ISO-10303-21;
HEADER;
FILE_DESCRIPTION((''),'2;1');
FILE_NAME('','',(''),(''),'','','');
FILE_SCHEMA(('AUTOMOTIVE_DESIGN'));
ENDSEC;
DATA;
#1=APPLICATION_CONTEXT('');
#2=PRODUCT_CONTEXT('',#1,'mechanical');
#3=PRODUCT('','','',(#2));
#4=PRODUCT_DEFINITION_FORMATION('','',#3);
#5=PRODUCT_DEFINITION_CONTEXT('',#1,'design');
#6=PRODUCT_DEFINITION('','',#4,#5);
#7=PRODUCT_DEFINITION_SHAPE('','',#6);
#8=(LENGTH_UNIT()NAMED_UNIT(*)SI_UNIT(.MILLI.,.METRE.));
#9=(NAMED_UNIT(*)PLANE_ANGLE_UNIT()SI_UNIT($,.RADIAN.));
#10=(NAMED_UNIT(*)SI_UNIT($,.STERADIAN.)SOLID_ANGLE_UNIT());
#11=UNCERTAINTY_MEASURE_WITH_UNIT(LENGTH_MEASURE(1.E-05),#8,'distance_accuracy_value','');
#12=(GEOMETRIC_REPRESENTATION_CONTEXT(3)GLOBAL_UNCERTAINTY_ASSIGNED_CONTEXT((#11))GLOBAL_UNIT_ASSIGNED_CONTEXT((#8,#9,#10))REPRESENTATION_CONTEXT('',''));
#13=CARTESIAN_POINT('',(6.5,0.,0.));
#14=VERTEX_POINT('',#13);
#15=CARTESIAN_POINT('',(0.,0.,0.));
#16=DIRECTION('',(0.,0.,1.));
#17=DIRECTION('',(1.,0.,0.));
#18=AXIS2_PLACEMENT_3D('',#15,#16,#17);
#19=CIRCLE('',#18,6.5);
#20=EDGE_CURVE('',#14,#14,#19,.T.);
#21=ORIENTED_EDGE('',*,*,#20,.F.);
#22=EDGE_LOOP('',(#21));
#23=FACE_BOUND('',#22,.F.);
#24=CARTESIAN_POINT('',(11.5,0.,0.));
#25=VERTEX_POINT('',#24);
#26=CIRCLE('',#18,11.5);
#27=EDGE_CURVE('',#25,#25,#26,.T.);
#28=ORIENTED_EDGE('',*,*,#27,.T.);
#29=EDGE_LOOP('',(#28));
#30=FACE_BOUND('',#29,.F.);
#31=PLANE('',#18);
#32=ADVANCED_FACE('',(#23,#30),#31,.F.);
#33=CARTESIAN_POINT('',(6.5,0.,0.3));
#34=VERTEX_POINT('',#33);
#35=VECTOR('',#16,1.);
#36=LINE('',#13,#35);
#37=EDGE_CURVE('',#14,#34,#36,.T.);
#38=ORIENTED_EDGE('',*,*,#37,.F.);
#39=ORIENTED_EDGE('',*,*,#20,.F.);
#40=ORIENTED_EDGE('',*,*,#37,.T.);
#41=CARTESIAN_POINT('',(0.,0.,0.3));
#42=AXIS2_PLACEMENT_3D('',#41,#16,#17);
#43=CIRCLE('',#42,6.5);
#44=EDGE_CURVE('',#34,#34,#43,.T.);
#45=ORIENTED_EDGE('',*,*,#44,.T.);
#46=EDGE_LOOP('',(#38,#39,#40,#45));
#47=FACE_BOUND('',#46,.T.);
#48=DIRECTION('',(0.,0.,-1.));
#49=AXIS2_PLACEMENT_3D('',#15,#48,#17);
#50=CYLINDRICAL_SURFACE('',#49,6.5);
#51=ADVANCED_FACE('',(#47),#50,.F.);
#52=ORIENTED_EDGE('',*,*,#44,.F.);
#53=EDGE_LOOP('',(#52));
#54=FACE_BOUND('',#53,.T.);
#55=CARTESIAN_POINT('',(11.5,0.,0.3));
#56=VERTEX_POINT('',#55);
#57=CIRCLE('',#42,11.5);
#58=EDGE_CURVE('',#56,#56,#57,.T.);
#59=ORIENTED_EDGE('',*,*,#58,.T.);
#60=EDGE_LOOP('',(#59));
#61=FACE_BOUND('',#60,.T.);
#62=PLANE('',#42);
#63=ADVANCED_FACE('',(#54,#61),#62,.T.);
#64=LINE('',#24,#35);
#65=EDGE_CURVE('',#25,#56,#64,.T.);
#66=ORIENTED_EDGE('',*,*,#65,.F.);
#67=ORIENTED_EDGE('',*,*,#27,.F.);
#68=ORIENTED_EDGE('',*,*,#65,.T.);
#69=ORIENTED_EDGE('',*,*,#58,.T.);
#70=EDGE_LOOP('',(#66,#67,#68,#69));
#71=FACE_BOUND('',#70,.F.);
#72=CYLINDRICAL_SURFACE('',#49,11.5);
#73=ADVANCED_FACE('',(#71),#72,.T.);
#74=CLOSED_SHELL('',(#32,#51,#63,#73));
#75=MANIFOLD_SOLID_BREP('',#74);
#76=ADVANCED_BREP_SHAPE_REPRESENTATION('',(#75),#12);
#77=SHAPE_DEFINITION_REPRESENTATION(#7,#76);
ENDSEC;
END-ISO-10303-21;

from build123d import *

# Parameters (mm, degrees)
SKETCH_R   = 11.5
SKETCH_R_2 = 6.5
PAD_DEPTH  = 0.3


with BuildPart() as part:
    # Sketch → Pad (new body)
    with BuildSketch(Plane.XY):
        Circle(SKETCH_R)
        Circle(SKETCH_R_2, mode=Mode.SUBTRACT)
    extrude(amount=PAD_DEPTH)


solid = part.part
